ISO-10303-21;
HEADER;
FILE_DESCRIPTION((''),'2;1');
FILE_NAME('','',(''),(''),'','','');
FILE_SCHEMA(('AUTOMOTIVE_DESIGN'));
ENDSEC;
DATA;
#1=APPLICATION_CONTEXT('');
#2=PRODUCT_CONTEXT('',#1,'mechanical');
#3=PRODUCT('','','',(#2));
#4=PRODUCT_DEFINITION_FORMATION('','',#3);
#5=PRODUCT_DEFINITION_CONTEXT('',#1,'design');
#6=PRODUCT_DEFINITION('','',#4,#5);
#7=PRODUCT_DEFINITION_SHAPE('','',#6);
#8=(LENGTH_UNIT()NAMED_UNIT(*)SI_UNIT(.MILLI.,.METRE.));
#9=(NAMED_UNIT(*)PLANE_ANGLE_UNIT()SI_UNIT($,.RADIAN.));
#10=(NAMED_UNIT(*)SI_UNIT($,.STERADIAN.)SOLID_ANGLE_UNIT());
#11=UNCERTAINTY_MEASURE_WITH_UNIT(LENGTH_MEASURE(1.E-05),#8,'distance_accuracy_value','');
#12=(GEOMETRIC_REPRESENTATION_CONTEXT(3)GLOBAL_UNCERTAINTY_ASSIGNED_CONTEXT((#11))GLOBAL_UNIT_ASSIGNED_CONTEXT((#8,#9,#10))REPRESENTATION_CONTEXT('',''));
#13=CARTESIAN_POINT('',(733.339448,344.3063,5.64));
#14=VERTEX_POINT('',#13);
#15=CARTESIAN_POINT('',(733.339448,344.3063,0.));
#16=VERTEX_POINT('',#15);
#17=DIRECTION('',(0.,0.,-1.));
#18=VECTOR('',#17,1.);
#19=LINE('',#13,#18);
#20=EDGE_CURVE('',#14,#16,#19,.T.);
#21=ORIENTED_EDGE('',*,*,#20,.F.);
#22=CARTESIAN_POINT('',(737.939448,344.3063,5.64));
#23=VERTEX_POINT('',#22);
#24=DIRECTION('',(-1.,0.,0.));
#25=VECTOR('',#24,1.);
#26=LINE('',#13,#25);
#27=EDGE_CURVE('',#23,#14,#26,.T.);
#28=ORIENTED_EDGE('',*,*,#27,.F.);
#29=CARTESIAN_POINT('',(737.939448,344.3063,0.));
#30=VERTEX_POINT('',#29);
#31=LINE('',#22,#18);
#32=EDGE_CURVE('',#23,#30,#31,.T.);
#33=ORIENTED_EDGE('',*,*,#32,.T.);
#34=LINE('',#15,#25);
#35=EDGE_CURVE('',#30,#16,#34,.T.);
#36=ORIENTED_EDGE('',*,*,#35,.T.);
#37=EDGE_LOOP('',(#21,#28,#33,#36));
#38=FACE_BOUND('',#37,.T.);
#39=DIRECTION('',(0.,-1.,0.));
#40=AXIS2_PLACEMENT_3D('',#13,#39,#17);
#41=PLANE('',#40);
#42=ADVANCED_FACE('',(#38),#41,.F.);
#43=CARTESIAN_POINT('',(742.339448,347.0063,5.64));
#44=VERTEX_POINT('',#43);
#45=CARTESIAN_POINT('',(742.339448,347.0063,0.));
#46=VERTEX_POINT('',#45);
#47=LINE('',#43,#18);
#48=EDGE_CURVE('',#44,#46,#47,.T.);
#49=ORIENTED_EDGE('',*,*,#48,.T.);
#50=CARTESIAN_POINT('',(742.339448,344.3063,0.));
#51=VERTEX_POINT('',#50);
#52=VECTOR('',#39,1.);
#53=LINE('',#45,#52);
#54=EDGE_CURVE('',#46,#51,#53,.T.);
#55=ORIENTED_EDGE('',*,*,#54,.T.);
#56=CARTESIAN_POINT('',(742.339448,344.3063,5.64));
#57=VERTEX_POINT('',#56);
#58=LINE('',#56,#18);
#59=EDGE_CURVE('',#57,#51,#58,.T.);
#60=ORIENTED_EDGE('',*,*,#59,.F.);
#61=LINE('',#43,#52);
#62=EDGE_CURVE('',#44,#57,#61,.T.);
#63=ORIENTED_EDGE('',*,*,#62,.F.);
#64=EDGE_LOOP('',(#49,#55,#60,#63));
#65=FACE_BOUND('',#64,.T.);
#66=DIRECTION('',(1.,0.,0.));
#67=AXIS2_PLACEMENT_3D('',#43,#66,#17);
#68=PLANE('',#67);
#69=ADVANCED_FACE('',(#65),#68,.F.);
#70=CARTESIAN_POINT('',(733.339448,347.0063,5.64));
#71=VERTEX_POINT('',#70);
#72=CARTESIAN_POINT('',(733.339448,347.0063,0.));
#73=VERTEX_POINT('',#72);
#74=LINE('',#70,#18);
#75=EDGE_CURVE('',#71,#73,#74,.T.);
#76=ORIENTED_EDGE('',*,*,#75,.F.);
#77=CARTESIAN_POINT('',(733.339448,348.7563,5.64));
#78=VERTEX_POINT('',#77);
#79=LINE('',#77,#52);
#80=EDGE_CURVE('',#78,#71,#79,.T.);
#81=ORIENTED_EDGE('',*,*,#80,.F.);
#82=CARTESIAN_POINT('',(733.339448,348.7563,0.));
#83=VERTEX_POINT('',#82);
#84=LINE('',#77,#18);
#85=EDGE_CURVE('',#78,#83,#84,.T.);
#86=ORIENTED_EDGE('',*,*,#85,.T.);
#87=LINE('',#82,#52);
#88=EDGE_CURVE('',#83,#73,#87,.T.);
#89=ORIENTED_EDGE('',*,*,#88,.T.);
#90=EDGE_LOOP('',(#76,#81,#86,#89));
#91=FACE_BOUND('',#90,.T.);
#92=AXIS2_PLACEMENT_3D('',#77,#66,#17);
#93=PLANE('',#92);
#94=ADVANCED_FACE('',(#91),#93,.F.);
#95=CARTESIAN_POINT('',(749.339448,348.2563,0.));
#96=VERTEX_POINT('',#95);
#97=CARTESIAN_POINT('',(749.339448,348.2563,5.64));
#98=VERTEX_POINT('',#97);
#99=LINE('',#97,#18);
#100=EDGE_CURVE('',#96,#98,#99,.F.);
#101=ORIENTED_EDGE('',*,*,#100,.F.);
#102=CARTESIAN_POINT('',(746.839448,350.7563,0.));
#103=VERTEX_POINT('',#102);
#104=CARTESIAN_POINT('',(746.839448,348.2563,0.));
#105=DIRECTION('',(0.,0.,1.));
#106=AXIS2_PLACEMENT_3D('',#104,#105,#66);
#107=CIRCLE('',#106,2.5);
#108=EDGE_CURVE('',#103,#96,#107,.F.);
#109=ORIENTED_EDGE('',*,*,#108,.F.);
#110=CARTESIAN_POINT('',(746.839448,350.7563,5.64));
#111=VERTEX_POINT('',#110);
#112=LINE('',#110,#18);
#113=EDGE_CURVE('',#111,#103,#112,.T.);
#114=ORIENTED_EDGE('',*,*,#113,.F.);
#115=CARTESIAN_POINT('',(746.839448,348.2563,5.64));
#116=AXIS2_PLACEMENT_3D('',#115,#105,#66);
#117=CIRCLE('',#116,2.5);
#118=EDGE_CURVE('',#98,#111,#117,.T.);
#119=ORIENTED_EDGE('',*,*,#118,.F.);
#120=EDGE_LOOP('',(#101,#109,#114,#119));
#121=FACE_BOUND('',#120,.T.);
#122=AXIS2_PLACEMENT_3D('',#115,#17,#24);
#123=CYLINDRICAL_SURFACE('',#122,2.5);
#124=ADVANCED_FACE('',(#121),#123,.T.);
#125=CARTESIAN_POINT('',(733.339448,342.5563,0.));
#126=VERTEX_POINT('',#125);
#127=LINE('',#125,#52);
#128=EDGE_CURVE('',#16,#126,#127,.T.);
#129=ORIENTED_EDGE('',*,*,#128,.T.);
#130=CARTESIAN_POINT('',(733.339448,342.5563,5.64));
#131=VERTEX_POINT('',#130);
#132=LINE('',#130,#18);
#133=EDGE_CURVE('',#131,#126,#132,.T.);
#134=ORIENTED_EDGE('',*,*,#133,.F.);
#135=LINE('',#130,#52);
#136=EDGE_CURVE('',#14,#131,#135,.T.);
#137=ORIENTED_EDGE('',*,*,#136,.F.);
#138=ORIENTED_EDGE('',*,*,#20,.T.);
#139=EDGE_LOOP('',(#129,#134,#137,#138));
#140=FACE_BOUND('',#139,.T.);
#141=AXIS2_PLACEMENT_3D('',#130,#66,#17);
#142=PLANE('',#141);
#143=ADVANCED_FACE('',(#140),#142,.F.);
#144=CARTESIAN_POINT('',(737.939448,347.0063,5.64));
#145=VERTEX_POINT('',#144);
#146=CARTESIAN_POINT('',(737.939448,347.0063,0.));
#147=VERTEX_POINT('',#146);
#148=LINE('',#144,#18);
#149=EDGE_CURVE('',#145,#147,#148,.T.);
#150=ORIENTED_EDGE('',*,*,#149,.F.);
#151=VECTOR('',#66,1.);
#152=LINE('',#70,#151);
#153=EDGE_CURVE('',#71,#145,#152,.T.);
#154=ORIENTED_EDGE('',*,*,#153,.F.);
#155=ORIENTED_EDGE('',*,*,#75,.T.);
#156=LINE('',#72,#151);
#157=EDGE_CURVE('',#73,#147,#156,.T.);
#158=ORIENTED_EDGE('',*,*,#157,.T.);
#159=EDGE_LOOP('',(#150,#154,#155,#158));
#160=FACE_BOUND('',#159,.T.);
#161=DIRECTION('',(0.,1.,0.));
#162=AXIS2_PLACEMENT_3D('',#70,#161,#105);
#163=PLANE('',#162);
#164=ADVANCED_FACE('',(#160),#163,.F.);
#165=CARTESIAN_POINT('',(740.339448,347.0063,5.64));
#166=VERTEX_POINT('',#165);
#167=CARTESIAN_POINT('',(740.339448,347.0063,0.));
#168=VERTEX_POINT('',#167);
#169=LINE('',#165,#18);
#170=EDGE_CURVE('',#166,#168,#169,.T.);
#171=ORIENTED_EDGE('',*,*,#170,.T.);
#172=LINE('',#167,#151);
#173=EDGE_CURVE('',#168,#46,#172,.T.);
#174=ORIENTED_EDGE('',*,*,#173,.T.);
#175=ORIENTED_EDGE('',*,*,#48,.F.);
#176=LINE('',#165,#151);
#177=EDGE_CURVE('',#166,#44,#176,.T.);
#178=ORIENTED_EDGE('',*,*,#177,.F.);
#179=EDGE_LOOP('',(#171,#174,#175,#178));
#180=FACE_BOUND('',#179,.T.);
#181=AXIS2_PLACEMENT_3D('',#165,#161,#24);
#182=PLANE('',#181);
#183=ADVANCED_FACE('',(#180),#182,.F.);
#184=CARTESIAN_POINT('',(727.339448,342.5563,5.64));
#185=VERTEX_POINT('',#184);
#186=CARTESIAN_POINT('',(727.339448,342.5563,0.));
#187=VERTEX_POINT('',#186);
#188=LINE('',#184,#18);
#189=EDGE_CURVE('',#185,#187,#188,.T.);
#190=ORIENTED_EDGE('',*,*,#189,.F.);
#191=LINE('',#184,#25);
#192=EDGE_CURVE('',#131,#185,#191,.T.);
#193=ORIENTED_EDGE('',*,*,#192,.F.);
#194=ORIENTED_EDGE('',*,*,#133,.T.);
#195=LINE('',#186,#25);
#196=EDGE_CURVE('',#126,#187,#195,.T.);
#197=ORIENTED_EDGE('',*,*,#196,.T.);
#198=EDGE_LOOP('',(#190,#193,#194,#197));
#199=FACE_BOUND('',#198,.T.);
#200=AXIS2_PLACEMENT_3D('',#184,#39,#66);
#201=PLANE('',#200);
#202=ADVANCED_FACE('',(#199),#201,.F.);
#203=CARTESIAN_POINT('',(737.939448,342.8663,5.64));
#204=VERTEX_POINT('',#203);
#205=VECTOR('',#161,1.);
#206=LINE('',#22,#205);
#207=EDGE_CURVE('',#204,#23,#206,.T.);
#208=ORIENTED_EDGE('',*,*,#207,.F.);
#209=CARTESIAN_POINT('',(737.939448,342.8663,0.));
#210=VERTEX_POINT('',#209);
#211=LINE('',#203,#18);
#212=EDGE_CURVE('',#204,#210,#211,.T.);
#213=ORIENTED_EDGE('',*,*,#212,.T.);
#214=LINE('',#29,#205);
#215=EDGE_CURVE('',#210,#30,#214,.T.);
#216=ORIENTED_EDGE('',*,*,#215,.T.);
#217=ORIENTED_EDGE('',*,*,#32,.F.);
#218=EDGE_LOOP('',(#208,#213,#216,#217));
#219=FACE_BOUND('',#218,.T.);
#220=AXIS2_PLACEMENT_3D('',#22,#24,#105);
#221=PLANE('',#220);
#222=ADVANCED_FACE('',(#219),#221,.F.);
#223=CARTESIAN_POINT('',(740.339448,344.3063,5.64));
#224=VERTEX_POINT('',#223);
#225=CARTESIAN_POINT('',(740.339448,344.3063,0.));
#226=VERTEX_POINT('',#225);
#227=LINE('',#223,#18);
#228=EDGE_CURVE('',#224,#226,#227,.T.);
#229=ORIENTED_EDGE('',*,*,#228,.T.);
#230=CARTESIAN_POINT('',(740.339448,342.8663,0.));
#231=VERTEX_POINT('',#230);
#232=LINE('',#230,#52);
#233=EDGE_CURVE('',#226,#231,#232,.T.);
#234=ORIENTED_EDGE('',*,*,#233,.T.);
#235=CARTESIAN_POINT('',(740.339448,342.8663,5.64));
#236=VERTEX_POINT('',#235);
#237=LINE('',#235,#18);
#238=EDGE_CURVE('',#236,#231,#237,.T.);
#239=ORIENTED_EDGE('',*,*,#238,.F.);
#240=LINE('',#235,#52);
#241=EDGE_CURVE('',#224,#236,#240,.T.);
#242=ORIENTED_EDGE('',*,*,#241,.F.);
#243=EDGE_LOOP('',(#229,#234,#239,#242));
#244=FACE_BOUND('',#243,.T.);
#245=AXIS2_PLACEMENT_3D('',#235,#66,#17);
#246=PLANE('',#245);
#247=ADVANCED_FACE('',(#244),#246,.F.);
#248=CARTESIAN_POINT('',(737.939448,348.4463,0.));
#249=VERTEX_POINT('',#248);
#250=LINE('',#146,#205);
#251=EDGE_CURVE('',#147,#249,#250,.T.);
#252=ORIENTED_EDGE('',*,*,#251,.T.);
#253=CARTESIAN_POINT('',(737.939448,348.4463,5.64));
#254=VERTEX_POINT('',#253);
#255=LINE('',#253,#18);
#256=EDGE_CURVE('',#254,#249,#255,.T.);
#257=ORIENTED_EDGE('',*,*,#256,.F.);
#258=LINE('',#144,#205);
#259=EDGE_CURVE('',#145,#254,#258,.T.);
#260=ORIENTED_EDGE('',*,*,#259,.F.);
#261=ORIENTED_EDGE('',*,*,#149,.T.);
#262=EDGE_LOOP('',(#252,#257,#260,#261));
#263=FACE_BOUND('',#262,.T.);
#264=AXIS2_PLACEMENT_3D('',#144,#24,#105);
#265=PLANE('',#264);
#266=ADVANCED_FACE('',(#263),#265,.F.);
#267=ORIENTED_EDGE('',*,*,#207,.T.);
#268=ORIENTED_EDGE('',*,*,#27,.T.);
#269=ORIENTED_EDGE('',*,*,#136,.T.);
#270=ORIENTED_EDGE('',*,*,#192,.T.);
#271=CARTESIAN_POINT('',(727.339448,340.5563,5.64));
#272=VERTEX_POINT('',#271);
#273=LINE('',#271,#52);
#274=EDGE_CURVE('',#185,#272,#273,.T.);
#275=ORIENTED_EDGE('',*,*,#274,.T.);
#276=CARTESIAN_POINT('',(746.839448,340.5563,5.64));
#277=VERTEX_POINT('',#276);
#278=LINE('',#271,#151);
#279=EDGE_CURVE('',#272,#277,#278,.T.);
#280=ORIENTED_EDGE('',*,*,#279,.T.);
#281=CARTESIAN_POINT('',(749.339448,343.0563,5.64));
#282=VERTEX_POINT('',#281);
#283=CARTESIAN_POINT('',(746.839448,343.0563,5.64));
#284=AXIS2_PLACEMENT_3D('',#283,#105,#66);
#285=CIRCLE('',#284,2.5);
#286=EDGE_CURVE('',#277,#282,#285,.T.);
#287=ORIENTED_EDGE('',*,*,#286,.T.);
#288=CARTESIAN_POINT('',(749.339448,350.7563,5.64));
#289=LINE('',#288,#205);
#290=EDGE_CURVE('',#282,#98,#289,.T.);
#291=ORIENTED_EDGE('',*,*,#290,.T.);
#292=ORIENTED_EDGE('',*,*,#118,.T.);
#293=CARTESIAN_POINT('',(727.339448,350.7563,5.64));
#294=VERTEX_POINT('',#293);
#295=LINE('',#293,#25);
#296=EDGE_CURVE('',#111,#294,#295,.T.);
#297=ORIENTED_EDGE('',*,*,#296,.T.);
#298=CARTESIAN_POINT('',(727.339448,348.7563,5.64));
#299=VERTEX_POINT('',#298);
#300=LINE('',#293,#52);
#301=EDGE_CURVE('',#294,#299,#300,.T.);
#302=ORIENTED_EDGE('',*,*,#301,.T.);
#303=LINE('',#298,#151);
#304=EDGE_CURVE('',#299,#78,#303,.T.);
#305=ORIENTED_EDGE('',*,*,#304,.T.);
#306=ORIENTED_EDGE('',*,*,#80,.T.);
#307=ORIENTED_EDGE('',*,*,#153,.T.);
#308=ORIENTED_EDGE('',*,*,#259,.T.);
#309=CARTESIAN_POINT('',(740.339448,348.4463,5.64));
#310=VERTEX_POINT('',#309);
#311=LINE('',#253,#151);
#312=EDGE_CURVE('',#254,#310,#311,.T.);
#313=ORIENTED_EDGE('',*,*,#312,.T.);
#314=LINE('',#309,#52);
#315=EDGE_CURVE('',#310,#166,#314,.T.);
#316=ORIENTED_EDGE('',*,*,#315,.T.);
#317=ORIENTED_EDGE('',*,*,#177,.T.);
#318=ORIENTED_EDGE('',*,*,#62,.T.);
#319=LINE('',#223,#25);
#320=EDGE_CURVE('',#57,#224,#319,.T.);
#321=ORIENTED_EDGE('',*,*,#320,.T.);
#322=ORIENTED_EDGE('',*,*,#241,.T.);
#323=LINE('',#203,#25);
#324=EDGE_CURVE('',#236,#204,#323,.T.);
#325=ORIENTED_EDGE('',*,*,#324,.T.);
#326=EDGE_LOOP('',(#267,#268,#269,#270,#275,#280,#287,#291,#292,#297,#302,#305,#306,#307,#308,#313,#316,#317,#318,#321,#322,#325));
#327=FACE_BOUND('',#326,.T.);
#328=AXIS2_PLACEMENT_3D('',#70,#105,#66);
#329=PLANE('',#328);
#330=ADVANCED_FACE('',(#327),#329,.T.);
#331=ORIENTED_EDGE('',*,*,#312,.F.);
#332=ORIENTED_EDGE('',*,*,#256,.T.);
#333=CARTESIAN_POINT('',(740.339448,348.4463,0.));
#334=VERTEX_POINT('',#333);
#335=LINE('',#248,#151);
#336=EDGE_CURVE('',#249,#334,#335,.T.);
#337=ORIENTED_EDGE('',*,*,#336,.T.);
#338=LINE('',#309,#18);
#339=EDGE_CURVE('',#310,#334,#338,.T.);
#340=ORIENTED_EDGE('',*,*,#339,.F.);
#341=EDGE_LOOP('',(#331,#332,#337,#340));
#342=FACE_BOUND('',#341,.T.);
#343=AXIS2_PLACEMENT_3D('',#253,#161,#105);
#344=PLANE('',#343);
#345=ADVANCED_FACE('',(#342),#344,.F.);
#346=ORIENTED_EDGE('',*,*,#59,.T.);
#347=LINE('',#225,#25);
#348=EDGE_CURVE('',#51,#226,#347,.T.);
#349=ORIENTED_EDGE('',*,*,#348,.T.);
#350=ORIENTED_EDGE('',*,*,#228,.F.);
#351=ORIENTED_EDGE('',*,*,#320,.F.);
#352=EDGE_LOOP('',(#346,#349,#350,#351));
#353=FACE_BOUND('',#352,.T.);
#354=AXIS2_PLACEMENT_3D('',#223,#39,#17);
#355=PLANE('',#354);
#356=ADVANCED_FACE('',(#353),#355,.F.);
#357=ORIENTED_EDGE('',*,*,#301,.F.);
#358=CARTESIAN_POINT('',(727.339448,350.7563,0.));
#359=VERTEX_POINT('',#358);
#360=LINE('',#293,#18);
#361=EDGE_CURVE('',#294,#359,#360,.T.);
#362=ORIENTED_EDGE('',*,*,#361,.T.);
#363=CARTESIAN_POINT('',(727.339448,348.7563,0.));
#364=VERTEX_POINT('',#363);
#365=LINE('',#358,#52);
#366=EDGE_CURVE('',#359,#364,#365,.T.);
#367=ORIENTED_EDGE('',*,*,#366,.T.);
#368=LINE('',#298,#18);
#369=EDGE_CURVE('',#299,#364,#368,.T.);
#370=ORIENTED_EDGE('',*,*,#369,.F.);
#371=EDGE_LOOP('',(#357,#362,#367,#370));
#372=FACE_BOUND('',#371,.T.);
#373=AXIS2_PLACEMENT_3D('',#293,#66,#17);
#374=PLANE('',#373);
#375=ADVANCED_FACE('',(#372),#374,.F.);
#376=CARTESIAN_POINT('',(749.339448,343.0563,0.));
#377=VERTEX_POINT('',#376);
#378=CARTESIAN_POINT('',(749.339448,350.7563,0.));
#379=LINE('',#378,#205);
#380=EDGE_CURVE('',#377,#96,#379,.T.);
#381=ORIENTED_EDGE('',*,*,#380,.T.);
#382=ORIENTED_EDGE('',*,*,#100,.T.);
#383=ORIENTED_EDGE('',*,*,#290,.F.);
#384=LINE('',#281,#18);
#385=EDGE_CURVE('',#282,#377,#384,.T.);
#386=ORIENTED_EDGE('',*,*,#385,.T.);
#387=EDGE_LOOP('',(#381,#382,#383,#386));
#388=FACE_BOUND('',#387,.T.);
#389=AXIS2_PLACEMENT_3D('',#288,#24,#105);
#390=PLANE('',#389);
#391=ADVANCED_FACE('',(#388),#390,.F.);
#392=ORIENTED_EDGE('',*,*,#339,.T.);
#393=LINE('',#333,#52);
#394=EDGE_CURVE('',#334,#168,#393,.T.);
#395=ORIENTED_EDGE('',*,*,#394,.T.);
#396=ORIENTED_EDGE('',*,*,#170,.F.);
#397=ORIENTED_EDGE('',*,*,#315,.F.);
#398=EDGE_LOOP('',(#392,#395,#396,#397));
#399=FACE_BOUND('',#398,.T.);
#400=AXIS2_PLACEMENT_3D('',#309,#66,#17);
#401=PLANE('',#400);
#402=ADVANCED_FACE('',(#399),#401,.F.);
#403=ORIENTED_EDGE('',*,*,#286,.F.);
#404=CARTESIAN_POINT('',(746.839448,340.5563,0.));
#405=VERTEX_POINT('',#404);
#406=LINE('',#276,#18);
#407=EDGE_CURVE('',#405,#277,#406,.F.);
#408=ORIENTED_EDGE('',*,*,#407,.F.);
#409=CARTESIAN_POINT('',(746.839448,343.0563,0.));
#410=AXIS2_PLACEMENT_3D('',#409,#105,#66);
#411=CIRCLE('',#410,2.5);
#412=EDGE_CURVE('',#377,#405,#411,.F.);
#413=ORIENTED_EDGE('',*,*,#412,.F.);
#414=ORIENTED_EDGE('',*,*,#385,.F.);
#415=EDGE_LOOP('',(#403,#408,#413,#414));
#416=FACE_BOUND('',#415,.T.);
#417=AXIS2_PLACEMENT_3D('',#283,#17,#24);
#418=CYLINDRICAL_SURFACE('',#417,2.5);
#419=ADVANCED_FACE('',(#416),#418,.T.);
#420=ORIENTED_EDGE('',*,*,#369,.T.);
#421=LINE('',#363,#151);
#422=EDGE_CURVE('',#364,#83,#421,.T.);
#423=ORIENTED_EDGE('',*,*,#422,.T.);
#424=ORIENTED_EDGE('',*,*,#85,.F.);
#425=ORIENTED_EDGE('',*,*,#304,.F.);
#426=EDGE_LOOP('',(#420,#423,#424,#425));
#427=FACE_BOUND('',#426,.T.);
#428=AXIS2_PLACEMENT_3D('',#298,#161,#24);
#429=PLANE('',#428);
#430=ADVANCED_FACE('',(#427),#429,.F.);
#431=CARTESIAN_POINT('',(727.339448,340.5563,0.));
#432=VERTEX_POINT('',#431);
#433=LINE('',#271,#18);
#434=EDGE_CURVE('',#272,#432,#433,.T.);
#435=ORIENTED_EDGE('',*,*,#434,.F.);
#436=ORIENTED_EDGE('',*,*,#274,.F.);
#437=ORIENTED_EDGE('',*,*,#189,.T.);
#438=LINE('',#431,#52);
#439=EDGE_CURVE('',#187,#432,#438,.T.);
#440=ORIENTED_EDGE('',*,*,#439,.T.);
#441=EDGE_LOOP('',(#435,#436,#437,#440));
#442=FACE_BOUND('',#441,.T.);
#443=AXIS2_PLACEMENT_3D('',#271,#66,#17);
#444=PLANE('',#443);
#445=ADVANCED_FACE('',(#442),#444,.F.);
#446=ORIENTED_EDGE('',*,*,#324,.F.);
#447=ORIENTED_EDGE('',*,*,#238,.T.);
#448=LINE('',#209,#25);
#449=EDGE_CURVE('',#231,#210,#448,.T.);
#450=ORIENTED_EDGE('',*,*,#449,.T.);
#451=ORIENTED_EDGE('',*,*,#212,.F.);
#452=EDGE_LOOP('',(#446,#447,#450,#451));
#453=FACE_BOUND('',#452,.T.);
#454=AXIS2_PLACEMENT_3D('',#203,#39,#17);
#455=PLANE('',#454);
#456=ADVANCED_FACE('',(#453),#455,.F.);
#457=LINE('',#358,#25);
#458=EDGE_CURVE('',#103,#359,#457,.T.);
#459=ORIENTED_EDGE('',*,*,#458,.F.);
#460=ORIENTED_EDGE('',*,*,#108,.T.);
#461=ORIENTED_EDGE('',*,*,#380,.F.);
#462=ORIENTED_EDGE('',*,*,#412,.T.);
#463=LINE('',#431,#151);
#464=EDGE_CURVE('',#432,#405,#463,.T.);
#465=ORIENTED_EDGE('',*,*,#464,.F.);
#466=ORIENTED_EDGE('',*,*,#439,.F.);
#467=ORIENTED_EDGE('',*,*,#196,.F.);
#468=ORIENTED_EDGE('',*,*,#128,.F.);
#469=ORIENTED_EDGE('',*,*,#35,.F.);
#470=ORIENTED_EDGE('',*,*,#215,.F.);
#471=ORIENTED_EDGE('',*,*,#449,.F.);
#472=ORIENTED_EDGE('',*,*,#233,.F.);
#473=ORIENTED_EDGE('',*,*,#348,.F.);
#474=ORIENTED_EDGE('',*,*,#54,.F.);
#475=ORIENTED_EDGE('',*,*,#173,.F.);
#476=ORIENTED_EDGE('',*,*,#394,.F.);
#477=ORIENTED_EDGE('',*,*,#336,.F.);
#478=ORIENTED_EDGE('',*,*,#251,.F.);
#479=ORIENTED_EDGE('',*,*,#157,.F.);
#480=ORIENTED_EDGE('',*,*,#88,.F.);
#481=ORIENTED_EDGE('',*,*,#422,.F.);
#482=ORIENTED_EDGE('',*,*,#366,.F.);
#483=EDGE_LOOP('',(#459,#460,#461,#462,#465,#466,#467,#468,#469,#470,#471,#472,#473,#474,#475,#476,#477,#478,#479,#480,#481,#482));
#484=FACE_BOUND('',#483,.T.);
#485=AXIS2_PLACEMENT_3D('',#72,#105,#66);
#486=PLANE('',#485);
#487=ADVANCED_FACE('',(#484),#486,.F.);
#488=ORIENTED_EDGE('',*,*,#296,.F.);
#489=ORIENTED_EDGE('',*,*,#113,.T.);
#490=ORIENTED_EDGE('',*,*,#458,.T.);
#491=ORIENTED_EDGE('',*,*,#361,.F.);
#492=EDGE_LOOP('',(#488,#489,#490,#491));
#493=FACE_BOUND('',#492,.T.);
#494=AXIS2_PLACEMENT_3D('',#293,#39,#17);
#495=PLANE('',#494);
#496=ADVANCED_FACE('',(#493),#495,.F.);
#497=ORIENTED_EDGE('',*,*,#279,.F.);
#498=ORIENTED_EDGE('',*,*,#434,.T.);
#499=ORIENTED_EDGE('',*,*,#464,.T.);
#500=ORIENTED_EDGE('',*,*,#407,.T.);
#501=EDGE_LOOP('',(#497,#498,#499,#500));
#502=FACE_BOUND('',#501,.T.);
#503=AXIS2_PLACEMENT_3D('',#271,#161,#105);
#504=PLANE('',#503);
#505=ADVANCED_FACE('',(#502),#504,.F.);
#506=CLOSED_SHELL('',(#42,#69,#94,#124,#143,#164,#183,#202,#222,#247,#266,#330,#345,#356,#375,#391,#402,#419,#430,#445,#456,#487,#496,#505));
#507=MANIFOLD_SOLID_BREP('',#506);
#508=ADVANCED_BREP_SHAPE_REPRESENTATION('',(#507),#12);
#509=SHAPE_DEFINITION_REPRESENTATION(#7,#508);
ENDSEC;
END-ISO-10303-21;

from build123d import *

# Parameters (mm, degrees)
BOSS_EXTRUDE2_DEPTH = 5.64
FILLET1_R           = 2.5


with BuildPart() as part:
    # Sketch1 → Boss-Extrude2 (new body)
    with BuildSketch(Plane.XY):
        Polygon((727.33944815, 350.756300382), (749.33944815, 350.756300382), (749.33944815, 340.556300382), (727.33944815, 340.556300382), (727.33944815, 342.556300382), (733.33944815, 342.556300382), (733.33944815, 344.306300382), (737.93944815, 344.306300382), (737.93944815, 342.866300382), (740.33944815, 342.866300382), (740.33944815, 344.306300382), (742.33944815, 344.306300382), (742.33944815, 347.006300382), (740.33944815, 347.006300382), (740.33944815, 348.446300382), (737.93944815, 348.446300382), (737.93944815, 347.006300382), (733.33944815, 347.006300382), (733.33944815, 348.756300382), (727.33944815, 348.756300382), align=None)
    extrude(amount=BOSS_EXTRUDE2_DEPTH)

    # Fillet1
    fillet1_edges = [part.edges().sort_by_distance(p)[0] for p in [
        (749.33944815, 350.756300382, 2.82),
        (749.33944815, 340.556300382, 2.82),
    ]]
    fillet(fillet1_edges, radius=FILLET1_R)


solid = part.part
